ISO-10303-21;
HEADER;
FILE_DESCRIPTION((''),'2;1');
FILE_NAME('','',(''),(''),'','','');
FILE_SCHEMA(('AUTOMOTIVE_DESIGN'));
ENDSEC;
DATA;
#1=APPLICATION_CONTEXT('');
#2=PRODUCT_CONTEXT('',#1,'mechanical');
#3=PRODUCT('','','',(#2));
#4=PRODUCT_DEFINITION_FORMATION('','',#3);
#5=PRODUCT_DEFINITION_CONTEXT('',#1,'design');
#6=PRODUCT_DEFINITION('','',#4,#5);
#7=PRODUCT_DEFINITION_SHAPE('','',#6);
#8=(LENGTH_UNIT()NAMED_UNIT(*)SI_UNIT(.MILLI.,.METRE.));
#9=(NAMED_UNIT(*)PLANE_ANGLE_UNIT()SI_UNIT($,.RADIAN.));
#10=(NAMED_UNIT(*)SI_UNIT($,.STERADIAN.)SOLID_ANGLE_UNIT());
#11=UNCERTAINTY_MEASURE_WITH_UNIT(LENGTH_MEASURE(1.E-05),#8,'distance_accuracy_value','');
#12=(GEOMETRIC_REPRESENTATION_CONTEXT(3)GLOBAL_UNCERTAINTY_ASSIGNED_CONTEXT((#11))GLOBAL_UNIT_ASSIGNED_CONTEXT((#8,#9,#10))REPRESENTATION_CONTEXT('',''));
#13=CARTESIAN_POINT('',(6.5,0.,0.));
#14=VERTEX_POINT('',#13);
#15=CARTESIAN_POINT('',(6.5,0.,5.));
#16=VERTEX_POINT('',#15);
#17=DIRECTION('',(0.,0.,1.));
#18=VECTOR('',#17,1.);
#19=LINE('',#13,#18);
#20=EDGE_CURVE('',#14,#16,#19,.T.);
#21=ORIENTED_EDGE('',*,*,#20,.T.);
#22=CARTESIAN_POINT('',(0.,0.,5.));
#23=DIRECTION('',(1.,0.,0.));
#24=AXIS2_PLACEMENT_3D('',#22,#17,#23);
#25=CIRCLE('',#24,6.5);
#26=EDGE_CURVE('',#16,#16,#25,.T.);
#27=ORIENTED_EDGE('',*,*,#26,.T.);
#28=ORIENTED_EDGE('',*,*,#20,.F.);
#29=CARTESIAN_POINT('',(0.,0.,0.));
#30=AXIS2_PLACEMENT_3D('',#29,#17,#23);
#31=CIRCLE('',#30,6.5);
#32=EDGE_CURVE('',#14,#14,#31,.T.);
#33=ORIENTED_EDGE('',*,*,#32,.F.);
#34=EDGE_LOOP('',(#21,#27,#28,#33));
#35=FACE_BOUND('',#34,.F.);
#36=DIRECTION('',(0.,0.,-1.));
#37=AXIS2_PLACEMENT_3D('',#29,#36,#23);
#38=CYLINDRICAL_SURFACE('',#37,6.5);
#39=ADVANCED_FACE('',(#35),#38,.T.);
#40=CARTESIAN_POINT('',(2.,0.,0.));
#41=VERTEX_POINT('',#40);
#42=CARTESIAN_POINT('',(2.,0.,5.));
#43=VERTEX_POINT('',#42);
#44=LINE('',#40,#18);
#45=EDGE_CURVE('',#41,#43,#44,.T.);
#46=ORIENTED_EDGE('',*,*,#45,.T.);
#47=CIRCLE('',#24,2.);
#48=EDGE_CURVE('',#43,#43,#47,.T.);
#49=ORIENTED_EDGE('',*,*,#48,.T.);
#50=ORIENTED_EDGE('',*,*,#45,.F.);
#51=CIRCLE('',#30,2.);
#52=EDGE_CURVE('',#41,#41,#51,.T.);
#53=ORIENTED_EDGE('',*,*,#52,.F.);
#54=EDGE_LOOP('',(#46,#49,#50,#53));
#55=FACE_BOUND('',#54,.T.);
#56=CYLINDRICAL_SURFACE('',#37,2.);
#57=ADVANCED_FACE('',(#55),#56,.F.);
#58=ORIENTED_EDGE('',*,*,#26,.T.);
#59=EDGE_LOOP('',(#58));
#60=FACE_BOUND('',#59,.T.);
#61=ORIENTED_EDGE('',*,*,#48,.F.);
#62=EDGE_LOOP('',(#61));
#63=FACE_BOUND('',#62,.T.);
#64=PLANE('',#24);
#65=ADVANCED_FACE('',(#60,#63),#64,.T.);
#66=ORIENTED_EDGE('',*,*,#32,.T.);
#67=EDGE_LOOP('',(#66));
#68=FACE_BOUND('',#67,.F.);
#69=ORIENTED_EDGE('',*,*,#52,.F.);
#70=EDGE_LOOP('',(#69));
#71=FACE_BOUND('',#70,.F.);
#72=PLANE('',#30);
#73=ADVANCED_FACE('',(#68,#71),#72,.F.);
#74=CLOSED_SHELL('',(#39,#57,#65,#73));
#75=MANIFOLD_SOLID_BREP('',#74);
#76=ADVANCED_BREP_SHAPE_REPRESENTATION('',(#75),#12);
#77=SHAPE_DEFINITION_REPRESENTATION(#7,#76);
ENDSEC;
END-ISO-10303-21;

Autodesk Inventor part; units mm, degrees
ref_plane "YZ Plane" through (0, 0, 0) normal (1, 0, 0) x (0, 1, 0)
ref_plane "XZ Plane" through (0, 0, 0) normal (0, 1, 0) x (-1, 0, 0)
ref_plane "XY Plane" through (0, 0, 0) normal (0, 0, 1) x (1, 0, 0)
sketch "Sketch1" plane through (0, 0, 0) normal (0, 0, 1) x (1, 0, 0)
  circle A0 centre (0, 0) radius 6.5
  circle A1 centre (0, 0) radius 2
  dimension "d0" = 13
  dimension "d1" = 4
extrude "Extrusion1" add sketch "Sketch1" along normal blind 5
properties part number "Kugellager"
